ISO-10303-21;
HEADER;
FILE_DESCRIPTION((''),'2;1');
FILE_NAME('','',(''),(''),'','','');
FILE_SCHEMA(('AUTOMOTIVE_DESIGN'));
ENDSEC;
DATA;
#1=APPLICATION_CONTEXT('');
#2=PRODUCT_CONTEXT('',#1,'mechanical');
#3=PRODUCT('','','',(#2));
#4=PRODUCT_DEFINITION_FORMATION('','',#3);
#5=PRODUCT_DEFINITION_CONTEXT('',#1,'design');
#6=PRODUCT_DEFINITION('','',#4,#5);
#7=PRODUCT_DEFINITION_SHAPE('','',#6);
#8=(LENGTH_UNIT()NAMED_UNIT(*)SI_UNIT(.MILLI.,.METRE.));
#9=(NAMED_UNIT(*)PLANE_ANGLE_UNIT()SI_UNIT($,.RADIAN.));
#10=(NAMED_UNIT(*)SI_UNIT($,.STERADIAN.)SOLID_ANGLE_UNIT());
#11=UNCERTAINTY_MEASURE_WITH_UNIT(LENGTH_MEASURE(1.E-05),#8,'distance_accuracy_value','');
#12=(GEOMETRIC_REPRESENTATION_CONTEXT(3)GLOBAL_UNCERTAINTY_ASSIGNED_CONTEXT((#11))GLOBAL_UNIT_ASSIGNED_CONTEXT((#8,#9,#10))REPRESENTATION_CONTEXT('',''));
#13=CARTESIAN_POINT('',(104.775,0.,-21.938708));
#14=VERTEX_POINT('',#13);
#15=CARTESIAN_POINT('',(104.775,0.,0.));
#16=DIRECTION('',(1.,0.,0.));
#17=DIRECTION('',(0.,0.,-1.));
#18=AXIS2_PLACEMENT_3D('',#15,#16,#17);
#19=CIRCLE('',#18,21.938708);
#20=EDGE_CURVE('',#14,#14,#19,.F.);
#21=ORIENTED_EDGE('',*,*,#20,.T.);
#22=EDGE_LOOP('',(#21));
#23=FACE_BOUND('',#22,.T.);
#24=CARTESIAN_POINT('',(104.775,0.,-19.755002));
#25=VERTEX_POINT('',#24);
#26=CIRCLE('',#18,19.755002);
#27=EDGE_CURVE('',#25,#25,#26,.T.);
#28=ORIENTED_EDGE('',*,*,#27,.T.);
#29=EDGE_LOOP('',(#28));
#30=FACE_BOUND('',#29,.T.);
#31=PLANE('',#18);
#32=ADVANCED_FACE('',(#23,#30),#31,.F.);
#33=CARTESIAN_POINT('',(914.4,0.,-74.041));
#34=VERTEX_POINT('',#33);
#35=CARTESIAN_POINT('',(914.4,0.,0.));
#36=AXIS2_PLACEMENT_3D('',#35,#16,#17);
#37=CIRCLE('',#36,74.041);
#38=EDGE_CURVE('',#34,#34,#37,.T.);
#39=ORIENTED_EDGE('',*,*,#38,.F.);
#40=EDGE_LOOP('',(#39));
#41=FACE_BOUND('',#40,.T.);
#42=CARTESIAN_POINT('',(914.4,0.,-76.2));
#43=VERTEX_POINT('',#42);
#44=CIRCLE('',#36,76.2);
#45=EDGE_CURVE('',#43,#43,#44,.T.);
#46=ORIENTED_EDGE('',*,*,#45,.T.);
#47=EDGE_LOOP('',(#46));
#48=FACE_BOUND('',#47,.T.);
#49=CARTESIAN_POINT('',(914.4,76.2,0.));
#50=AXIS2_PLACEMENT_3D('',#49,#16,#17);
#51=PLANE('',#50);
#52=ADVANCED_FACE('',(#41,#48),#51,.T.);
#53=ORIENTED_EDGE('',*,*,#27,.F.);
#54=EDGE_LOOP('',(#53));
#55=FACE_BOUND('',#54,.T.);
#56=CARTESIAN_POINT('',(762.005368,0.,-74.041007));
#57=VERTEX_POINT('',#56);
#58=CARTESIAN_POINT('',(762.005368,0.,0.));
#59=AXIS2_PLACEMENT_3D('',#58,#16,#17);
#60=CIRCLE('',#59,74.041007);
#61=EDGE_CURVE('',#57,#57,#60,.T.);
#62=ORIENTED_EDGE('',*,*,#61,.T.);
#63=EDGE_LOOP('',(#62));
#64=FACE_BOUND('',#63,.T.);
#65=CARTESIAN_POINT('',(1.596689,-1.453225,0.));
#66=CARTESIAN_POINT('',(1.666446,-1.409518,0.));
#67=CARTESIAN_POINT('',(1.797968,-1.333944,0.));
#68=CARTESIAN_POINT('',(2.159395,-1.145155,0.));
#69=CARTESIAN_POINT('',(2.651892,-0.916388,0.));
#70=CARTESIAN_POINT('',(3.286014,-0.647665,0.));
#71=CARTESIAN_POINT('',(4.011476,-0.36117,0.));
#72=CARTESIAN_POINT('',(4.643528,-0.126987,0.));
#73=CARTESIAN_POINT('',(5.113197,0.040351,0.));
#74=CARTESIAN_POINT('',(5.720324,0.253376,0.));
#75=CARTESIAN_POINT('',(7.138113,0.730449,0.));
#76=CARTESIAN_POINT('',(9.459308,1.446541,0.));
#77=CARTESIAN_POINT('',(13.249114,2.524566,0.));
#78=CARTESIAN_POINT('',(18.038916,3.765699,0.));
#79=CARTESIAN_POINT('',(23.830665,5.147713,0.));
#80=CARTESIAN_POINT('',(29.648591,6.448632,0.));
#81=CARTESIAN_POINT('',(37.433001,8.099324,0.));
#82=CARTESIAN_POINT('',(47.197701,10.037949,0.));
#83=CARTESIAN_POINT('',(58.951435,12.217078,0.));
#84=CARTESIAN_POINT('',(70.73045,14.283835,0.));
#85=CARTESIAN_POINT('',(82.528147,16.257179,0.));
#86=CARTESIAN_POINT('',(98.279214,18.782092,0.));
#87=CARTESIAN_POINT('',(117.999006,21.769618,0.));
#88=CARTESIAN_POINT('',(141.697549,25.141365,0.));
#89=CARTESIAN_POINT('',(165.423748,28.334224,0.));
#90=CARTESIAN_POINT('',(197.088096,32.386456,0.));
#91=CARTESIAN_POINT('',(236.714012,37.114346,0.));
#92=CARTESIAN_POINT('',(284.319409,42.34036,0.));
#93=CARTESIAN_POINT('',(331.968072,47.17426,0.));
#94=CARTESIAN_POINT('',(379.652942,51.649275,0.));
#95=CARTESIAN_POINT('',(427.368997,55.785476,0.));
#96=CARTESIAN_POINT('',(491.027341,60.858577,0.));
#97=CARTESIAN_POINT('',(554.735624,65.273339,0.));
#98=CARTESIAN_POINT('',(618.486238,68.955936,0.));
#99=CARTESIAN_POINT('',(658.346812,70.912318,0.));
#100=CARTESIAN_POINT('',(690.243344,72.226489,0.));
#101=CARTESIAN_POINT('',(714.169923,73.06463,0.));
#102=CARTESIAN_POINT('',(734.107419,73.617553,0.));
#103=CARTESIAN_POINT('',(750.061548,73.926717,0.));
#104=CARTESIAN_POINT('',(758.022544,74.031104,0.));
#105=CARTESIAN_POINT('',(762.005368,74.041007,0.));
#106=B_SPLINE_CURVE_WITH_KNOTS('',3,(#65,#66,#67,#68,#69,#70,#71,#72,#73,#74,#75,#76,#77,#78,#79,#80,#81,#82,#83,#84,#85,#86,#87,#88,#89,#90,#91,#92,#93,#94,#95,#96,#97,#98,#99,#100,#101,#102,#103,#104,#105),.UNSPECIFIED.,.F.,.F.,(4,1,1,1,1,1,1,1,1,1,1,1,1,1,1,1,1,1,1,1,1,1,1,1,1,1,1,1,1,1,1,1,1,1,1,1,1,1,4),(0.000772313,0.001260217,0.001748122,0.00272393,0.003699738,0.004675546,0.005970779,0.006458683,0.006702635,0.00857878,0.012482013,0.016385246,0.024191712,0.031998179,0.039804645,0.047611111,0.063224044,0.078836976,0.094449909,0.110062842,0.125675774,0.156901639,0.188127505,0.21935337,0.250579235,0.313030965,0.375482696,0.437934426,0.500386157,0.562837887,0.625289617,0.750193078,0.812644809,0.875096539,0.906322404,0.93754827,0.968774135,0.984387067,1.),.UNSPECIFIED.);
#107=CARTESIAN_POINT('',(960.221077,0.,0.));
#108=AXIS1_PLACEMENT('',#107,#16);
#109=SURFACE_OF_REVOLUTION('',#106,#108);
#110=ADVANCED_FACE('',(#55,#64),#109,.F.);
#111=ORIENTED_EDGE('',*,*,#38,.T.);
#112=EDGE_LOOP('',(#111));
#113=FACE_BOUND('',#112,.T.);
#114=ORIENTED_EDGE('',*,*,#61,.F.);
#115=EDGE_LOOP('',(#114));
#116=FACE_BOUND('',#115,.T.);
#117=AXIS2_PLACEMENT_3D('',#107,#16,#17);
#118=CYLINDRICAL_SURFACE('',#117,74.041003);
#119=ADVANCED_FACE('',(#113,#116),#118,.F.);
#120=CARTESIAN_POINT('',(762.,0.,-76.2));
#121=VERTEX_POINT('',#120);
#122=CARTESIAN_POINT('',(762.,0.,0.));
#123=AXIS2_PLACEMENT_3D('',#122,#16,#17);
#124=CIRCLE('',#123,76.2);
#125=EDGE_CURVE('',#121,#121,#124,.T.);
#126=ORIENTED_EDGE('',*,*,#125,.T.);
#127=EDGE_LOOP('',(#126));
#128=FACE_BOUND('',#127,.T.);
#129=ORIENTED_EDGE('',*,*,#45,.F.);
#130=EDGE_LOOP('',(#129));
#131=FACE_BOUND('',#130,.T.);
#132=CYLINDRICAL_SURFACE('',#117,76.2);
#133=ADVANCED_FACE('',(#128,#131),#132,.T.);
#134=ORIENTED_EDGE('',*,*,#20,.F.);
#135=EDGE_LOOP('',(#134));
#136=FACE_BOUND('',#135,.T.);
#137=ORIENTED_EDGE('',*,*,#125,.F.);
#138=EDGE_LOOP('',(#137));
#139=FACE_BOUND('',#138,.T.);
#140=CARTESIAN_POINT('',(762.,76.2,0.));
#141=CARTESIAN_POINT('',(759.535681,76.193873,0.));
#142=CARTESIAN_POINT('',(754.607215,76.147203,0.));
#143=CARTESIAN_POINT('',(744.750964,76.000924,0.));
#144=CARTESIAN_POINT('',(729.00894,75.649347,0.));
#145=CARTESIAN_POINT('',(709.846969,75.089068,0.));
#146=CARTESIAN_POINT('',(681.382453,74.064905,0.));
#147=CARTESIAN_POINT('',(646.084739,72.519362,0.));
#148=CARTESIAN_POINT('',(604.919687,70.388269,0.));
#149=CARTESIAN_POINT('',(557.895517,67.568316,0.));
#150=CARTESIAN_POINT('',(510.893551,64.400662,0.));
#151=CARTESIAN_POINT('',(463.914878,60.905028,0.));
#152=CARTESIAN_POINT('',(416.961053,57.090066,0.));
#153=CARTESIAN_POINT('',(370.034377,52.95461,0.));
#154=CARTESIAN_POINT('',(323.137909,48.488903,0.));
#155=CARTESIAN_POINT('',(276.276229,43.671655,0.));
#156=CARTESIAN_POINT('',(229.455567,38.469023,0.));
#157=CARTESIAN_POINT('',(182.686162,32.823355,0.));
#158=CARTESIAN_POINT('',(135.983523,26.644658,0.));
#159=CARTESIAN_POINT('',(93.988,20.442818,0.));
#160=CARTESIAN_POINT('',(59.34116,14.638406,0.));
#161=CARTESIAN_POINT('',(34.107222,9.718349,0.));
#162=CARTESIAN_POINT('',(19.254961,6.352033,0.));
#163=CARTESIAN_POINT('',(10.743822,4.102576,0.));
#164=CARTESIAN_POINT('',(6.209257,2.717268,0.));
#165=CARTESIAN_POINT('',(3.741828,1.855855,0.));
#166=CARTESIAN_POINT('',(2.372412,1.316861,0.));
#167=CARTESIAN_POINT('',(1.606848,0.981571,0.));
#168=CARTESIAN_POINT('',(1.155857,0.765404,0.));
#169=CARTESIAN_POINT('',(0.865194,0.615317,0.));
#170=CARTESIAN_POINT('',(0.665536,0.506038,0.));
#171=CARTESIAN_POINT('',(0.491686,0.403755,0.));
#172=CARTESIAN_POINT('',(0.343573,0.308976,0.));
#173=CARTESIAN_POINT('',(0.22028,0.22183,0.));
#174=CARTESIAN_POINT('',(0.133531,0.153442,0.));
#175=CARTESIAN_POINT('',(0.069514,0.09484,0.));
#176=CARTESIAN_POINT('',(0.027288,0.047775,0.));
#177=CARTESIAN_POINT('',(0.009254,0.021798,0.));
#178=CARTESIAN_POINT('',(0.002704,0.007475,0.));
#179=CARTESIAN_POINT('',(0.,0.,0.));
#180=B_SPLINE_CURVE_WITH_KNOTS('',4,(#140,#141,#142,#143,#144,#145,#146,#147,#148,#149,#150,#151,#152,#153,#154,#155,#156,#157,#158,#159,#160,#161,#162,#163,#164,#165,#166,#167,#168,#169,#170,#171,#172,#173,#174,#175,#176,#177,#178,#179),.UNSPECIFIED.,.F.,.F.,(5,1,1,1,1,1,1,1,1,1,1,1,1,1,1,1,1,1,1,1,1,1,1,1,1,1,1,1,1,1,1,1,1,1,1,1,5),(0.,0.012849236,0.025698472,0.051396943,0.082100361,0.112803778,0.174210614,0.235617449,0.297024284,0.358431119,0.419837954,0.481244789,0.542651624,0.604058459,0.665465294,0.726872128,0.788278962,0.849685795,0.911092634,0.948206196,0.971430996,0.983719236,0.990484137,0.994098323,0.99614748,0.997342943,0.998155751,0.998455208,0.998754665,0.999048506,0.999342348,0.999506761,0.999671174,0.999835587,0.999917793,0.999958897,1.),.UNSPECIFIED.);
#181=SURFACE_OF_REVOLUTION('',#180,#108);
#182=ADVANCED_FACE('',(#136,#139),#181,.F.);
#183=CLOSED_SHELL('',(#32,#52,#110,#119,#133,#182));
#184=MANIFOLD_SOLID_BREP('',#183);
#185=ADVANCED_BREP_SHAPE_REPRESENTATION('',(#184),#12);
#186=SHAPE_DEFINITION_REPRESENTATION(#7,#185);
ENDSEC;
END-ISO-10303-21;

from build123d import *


with BuildPart() as part:
    # Sketch1 → Revolve2 (revolve)
    with BuildSketch(Plane.XY):
        with BuildLine():
            Line((762, 76.2), (914.4, 76.2))
            Line((914.4, 76.2), (914.4, 74.041))
            Line((914.4, 74.041), (762.005368019, 74.041006673))
            add(Edge.make_bspline(
                [(5.00023909, 0), (5.056763051, 0.020141974), (5.169987185, 0.060277444), (5.720324071, 0.253376397), (7.138112705, 0.730448768), (9.459308324, 1.446540501), (13.249114278, 2.524566188), (18.038915558, 3.76569876), (23.830664963, 5.147713239), (29.648590527, 6.448631761), (37.433001111, 8.099324249), (47.197701176, 10.037949097), (58.951435022, 12.217078413), (70.730449997, 14.28383502), (82.528146527, 16.257178768), (98.279214295, 18.782092475), (117.999005521, 21.769617887), (141.697548841, 25.141365429), (165.423748421, 28.334223815), (197.088096381, 32.386455789), (236.714011752, 37.114345659), (284.319409266, 42.340360112), (331.968071588, 47.174260265), (379.652942457, 51.649275221), (427.368996672, 55.785475512), (491.027341303, 60.858576557), (554.735623652, 65.273338991), (618.486238068, 68.955935795), (658.346812289, 70.91231792), (690.2433438, 72.226489321), (714.169922879, 73.06463022), (734.107419195, 73.617553448), (750.061548457, 73.926716535), (758.022543604, 74.031103968), (762.005368019, 74.041006673)],
                knots=[0.006214731, 0.006214731, 0.006214731, 0.006214731, 0.006458683, 0.006702635, 0.00857878, 0.012482013, 0.016385246, 0.024191712, 0.031998179, 0.039804645, 0.047611111, 0.063224044, 0.078836976, 0.094449909, 0.110062842, 0.125675774, 0.156901639, 0.188127505, 0.21935337, 0.250579235, 0.313030965, 0.375482696, 0.437934426, 0.500386157, 0.562837887, 0.625289617, 0.750193078, 0.812644809, 0.875096539, 0.906322404, 0.93754827, 0.968774135, 0.984387067, 1, 1, 1, 1], degree=3))
            Line((5.00023909, 0), (0, 0))
            add(Edge.make_bspline(
                [(0, 0), (0.002703951, 0.007475403), (0.009254403, 0.021798459), (0.027288479, 0.047775191), (0.069513958, 0.094839775), (0.133531264, 0.153441603), (0.220279688, 0.221830422), (0.343572962, 0.308976357), (0.491685509, 0.403755039), (0.665535864, 0.506037908), (0.865193662, 0.61531703), (1.155856981, 0.765404136), (1.606848381, 0.981571373), (2.372411545, 1.316860634), (3.741827992, 1.855855352), (6.209256824, 2.71726793), (10.743822353, 4.102575756), (19.254961482, 6.352033316), (34.107222126, 9.718348949), (59.341159701, 14.638405661), (93.988000037, 20.44281783), (135.983522598, 26.644657651), (182.686162168, 32.823354873), (229.455566621, 38.46902263), (276.276229385, 43.671655421), (323.1379085, 48.48890289), (370.034377396, 52.954610023), (416.961053132, 57.090066024), (463.914878093, 60.905027701), (510.893551419, 64.400662315), (557.895516644, 67.568315917), (604.919686877, 70.388268899), (646.08473916, 72.519362114), (681.382453133, 74.064904962), (709.846968802, 75.089068086), (729.008940191, 75.64934739), (744.750963657, 76.000923697), (754.60721463, 76.147202521), (759.535680712, 76.193872834), (762, 76.2)],
                knots=[0, 0, 0, 0, 0, 4.1103e-05, 8.2207e-05, 0.000164413, 0.000328826, 0.000493239, 0.000657652, 0.000951494, 0.001245335, 0.001544792, 0.001844249, 0.002657057, 0.00385252, 0.005901677, 0.009515863, 0.016280764, 0.028569004, 0.051793804, 0.088907366, 0.150314205, 0.211721038, 0.273127872, 0.334534706, 0.395941541, 0.457348376, 0.518755211, 0.580162046, 0.641568881, 0.702975716, 0.764382551, 0.825789386, 0.887196222, 0.917899639, 0.948603057, 0.974301528, 0.987150764, 1, 1, 1, 1, 1], degree=4))
        make_face()
    revolve(axis=Axis((960.221076641, 0, 0), (-1, 0, 0)))

    # Split1
    split(bisect_by=Plane(origin=(104.775, 0, 0), x_dir=(0, 0, 1), z_dir=(1, 0, 0)), keep=Keep.TOP)


solid = part.part
